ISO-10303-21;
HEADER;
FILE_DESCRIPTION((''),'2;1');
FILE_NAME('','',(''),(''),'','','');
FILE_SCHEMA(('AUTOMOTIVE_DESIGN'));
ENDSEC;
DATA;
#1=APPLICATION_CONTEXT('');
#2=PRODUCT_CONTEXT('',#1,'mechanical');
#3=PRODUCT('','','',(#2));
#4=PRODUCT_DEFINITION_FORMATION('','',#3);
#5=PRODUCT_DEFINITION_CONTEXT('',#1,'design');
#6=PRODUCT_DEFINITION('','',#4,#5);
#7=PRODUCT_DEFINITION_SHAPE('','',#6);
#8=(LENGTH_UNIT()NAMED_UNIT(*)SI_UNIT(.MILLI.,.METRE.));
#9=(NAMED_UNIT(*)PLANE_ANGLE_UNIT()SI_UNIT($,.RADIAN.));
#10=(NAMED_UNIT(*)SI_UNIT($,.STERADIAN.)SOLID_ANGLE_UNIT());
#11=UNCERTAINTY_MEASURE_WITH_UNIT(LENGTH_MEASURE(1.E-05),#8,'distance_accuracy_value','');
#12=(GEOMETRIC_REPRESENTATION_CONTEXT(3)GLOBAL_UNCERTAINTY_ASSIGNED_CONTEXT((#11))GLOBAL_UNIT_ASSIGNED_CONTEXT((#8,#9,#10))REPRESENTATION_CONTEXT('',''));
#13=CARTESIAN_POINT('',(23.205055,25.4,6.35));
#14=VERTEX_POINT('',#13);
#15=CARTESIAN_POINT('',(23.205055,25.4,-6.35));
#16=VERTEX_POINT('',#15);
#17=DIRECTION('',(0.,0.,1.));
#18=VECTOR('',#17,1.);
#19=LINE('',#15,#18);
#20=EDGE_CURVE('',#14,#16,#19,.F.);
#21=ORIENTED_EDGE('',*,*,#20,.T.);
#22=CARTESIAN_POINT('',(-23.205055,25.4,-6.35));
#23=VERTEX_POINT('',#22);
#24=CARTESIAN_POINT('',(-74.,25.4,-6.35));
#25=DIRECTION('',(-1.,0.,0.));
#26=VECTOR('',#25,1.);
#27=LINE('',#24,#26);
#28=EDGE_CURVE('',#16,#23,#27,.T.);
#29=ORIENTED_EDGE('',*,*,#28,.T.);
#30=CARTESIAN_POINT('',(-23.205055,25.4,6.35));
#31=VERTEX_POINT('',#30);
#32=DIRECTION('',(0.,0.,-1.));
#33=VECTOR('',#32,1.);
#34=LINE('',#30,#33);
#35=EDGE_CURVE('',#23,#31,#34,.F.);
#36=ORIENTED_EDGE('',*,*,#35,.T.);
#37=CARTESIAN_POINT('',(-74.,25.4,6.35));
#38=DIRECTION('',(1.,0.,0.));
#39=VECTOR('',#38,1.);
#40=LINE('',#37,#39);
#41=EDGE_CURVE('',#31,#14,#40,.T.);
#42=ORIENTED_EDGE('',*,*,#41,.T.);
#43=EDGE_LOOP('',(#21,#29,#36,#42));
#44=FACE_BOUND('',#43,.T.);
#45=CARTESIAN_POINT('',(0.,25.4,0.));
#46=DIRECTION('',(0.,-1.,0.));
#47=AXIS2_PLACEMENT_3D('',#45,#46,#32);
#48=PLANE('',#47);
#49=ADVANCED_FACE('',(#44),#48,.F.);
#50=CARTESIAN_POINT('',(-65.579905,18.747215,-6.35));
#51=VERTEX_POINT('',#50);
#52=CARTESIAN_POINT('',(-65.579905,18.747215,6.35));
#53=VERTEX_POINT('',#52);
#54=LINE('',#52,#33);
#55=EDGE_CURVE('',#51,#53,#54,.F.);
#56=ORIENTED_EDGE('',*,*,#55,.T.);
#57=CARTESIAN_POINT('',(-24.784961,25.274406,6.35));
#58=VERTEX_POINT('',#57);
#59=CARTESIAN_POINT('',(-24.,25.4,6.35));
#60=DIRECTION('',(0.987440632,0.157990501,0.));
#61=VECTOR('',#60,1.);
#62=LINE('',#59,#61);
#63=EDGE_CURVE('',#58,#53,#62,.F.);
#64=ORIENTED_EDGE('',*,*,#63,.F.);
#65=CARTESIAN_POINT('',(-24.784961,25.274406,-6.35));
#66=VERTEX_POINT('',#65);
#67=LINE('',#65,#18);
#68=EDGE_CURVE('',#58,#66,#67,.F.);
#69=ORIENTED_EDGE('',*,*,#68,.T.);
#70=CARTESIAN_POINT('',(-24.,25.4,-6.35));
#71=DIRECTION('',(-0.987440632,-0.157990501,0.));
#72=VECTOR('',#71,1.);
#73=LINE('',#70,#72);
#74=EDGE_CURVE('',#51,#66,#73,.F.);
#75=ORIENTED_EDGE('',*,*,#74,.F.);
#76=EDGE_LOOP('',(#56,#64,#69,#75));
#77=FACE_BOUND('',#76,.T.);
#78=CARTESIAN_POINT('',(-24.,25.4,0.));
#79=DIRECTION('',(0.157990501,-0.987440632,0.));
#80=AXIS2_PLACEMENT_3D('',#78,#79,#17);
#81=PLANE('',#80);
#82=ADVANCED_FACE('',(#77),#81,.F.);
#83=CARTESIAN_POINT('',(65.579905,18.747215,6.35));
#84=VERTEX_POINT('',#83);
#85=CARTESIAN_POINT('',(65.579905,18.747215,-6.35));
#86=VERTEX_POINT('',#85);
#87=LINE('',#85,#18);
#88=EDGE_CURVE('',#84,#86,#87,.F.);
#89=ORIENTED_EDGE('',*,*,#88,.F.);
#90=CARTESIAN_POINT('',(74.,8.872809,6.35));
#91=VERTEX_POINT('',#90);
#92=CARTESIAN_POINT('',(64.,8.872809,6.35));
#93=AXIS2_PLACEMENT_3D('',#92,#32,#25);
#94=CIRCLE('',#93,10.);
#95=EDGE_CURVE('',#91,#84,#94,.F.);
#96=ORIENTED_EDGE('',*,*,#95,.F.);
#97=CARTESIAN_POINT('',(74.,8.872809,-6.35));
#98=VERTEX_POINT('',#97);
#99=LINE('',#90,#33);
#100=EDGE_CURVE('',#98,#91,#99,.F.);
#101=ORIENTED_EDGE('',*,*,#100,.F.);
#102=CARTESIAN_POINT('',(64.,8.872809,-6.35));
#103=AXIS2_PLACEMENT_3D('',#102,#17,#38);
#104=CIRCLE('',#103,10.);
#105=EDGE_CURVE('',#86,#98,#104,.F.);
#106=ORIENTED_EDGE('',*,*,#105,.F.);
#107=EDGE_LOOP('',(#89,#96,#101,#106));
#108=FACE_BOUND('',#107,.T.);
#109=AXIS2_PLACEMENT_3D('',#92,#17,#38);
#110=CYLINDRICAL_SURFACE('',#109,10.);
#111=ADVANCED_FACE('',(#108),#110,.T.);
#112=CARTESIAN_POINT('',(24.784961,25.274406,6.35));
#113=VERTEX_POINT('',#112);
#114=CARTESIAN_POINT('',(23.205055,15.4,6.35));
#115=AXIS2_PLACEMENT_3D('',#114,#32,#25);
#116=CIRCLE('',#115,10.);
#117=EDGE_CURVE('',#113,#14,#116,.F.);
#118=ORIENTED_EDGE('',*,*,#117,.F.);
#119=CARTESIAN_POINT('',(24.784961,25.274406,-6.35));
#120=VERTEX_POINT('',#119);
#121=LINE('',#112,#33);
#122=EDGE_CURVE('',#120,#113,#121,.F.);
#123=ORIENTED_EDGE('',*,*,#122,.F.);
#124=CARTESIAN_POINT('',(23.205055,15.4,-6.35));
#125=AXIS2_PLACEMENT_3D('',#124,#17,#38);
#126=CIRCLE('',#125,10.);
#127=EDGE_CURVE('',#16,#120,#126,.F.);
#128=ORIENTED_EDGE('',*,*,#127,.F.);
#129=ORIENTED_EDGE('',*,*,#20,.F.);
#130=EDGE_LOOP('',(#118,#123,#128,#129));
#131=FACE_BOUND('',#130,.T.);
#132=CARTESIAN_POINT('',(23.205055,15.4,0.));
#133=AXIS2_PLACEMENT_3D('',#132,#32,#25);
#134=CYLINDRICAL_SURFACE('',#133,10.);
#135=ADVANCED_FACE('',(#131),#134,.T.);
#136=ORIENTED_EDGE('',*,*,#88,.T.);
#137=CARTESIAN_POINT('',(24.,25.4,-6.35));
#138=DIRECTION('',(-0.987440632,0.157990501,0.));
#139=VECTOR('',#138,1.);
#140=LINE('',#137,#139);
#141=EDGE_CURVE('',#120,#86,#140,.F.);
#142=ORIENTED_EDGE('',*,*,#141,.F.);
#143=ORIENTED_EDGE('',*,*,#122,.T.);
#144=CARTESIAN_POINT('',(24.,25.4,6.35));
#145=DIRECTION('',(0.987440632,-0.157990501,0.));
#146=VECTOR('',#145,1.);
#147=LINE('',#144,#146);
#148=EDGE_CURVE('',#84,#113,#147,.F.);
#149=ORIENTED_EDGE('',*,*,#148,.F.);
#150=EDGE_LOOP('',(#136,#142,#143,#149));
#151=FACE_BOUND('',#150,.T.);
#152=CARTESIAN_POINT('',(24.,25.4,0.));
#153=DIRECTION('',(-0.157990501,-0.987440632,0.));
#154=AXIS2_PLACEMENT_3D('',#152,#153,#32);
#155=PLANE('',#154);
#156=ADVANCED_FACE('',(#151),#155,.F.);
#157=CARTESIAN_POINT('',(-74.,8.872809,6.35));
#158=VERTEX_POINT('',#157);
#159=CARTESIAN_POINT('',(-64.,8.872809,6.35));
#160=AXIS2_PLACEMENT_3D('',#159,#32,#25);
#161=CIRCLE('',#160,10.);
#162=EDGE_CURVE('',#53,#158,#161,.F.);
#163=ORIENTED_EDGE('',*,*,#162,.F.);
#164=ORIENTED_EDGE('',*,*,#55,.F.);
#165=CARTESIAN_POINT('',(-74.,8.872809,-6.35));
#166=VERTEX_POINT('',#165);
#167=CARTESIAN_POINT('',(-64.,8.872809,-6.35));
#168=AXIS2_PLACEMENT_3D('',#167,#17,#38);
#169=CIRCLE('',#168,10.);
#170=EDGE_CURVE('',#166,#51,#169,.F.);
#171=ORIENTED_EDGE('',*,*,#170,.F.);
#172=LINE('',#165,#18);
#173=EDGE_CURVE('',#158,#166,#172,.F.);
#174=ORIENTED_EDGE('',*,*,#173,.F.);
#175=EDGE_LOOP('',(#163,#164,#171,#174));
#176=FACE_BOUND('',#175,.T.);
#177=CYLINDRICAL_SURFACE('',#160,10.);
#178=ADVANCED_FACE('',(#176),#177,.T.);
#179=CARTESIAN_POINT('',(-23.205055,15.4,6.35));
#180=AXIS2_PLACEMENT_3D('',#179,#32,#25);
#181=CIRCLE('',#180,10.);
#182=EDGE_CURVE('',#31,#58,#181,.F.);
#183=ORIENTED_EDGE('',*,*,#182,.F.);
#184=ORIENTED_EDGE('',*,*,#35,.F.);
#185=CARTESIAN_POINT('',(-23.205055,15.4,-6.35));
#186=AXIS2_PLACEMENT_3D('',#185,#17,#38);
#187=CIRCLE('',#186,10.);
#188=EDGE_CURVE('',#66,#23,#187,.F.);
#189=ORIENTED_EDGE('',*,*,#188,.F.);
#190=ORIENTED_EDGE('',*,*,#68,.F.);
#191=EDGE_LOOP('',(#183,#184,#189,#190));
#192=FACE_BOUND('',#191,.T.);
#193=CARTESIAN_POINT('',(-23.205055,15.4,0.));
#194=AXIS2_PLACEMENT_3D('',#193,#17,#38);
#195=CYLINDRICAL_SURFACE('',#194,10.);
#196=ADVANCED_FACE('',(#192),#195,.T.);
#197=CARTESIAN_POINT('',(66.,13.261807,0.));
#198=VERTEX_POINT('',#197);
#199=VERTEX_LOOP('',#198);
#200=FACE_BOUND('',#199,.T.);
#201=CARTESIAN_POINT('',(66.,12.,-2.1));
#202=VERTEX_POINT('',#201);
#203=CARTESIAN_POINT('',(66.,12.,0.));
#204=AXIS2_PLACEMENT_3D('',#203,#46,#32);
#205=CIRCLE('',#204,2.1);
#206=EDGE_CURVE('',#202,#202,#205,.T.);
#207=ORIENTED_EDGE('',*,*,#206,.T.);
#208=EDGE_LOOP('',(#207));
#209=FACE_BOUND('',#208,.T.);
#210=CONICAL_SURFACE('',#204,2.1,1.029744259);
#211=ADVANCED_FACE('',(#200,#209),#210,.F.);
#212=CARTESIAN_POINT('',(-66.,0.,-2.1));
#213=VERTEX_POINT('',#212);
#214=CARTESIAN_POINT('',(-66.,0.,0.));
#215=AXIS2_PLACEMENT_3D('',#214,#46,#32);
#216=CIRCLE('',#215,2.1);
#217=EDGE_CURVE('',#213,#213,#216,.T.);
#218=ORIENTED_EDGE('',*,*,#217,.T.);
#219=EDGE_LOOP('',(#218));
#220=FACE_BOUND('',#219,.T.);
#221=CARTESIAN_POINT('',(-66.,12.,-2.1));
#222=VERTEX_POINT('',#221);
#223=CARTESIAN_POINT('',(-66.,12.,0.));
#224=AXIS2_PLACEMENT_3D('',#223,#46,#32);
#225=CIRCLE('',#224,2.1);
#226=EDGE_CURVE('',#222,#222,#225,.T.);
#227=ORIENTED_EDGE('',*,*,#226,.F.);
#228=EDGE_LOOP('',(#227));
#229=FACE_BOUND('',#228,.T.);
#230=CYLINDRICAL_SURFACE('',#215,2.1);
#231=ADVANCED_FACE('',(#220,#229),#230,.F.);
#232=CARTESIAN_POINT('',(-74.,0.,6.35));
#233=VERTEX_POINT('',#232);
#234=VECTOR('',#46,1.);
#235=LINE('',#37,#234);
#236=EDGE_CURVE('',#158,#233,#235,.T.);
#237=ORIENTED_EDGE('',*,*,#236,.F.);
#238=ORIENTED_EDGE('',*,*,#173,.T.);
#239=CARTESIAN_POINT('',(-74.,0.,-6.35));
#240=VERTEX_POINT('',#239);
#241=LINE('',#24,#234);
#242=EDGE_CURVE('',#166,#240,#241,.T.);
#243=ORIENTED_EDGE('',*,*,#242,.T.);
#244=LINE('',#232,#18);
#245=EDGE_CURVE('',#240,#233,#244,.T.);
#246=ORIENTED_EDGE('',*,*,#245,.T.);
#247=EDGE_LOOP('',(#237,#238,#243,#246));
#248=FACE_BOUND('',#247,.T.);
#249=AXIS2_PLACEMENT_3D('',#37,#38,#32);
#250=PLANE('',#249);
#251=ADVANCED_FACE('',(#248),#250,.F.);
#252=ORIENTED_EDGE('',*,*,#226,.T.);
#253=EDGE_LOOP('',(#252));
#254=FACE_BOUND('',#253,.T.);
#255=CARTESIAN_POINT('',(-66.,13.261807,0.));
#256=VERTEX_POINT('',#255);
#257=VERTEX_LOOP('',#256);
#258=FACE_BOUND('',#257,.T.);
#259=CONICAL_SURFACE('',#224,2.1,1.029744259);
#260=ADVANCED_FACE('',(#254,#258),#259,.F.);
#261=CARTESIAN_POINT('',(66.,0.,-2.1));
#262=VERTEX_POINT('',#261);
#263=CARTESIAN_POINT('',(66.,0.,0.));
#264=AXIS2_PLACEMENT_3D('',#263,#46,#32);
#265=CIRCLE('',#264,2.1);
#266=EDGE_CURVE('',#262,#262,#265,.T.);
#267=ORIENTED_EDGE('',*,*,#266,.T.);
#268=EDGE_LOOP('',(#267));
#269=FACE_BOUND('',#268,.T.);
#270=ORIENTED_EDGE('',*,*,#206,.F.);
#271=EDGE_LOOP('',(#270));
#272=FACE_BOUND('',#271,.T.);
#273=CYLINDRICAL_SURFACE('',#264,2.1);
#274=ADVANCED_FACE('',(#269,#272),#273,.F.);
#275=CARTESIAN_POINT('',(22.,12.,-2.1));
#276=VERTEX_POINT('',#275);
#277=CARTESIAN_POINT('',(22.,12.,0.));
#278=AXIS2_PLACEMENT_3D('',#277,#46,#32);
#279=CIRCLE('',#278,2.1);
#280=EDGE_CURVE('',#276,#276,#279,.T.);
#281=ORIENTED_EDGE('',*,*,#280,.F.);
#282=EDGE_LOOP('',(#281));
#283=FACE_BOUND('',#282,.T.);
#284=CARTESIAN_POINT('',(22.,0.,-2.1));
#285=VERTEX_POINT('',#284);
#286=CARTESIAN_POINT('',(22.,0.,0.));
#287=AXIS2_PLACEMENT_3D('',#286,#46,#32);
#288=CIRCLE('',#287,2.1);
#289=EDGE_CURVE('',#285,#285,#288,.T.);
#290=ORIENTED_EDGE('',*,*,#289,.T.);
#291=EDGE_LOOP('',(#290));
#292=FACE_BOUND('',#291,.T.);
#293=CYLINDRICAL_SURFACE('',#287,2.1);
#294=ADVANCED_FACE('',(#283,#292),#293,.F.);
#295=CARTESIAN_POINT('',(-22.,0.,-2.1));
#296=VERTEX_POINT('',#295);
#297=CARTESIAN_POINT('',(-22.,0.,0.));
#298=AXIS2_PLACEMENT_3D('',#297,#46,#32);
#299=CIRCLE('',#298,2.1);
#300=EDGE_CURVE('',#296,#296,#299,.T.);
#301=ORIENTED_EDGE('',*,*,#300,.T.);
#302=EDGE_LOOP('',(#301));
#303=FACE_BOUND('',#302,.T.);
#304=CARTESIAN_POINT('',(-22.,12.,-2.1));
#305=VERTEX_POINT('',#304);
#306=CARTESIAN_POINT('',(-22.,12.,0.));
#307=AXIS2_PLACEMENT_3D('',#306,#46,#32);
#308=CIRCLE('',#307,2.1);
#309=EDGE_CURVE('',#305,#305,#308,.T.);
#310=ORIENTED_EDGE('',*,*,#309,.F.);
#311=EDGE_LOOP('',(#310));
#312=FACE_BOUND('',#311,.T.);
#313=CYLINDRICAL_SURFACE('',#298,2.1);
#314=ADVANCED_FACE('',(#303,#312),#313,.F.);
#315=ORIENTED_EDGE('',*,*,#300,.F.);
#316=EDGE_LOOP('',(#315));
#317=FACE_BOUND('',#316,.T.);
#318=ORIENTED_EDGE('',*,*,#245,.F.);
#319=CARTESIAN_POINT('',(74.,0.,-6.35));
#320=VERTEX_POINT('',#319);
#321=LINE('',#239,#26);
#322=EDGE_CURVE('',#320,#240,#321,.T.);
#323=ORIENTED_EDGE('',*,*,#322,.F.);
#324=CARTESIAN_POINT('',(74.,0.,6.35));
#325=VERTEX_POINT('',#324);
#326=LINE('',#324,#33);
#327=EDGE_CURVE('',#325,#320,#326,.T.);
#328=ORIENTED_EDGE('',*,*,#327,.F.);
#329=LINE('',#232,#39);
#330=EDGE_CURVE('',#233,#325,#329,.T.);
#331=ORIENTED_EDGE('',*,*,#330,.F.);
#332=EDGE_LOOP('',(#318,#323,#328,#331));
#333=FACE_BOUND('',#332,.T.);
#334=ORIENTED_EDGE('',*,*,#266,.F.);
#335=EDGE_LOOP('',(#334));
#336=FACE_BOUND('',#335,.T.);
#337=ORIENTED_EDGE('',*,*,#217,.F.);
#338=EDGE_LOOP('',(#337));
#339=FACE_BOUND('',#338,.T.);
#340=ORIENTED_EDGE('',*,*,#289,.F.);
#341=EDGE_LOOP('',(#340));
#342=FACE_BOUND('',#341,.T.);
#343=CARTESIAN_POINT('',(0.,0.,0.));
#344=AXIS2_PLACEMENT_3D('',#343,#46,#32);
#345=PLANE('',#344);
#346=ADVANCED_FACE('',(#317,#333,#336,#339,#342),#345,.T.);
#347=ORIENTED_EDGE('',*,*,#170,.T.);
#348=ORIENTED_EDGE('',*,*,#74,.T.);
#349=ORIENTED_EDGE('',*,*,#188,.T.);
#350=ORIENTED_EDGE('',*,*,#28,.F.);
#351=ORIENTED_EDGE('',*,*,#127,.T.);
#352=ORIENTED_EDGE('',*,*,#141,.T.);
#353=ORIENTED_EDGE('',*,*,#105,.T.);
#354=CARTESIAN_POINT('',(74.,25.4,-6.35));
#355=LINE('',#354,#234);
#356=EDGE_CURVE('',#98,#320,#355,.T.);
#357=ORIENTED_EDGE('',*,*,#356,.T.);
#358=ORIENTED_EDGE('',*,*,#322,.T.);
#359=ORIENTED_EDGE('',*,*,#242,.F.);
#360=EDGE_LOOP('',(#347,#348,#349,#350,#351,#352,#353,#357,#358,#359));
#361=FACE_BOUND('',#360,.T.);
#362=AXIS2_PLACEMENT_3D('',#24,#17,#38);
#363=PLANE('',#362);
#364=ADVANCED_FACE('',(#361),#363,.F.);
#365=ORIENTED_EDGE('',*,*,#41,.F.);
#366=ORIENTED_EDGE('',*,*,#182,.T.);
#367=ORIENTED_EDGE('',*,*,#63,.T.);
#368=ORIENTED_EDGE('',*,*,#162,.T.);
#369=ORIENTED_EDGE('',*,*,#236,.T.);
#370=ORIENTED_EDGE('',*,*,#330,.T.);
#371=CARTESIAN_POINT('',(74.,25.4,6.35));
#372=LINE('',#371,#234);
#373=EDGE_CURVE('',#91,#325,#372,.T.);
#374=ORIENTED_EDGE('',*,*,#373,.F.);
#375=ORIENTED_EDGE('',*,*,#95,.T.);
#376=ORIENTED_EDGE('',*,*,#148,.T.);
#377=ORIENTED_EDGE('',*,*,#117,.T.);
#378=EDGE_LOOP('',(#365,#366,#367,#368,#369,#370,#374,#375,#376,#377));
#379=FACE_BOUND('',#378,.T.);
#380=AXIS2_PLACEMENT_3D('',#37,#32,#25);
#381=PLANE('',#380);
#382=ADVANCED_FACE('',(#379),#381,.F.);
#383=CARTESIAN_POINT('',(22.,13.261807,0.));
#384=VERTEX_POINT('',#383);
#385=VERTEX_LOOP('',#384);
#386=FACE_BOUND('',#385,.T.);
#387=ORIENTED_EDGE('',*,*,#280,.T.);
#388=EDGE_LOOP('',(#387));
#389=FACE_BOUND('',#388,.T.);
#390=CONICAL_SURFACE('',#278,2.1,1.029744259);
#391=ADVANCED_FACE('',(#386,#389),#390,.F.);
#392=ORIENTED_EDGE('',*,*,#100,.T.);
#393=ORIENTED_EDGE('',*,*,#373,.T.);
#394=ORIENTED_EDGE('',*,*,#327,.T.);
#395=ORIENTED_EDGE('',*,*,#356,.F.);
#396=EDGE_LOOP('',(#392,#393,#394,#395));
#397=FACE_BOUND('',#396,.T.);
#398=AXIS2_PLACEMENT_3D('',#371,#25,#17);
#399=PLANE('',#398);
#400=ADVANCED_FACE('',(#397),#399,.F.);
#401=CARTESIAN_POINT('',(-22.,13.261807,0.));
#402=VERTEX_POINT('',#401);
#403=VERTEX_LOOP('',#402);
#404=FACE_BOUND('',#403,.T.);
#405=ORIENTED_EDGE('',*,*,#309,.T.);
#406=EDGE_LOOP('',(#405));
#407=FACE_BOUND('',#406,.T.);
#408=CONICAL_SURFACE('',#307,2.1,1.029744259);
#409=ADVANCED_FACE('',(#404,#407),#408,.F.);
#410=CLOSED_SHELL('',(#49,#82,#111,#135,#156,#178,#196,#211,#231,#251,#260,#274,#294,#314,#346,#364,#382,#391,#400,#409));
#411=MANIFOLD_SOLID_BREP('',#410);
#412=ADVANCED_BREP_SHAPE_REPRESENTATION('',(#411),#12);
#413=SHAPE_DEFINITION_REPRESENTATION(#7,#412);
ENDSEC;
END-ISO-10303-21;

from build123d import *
from OCP.BRepFilletAPI import BRepFilletAPI_MakeChamfer

# Parameters (mm, degrees)
SKETCH1_W                 = 148
SKETCH1_H                 = 12.7
BOSS_EXTRUDE1_DEPTH       = 25.4
CHAMFER1_SIZE             = 8
CHAMFER1_SIZE2            = 50
M5X0_8_TAPPED_HOLE1_D     = 4.2
M5X0_8_TAPPED_HOLE1_DEPTH = 12
M5X0_8_TAPPED_HOLE1_TIP   = 1.2618073
FILLET1_R                 = 10


with BuildPart() as part:
    # Sketch1 → Boss-Extrude1 (new body)
    with BuildSketch(Plane(origin=(0, 0, 0), x_dir=(1, 0, 0), z_dir=(0, 1, 0))):
        Rectangle(SKETCH1_W, SKETCH1_H)
    extrude(amount=BOSS_EXTRUDE1_DEPTH)

    # Chamfer1: one chamfer whose edges measure the first distance from different faces: ONE call of the kernel's chamfer builder (chamfer() names one face for all edges)
    chamfer1_edges_1 = [part.edges().sort_by_distance(p)[0] for p in [
        (-74, 25.4, 0),
    ]]
    chamfer1_side_1 = [part.faces().sort_by_distance(p)[0] for p in [
        (-74, 12.7, 0),
    ]]
    chamfer1_edges_2 = [part.edges().sort_by_distance(p)[0] for p in [
        (74, 25.4, 0),
    ]]
    chamfer1_side_2 = [part.faces().sort_by_distance(p)[0] for p in [
        (74, 12.7, 0),
    ]]
    chamfer1 = BRepFilletAPI_MakeChamfer(part.part.solid().wrapped)
    for e in chamfer1_edges_1:
        chamfer1.Add(CHAMFER1_SIZE, CHAMFER1_SIZE2, e.wrapped, chamfer1_side_1[0].wrapped)  # the first distance lies on this face
    for e in chamfer1_edges_2:
        chamfer1.Add(CHAMFER1_SIZE, CHAMFER1_SIZE2, e.wrapped, chamfer1_side_2[0].wrapped)  # the first distance lies on this face
    add(Compound.cast(chamfer1.Shape()), mode=Mode.REPLACE)

    # M5x0.8 Tapped Hole1
    with Locations(Plane(origin=(0, 0, 0), x_dir=(-1, 0, 0), z_dir=(0, -1, 0))):
        with Locations((66, 0), (22, 0), (-22, 0), (-66, 0)):
            Hole(M5X0_8_TAPPED_HOLE1_D / 2, depth=M5X0_8_TAPPED_HOLE1_DEPTH)
            with Locations((0, 0, -(M5X0_8_TAPPED_HOLE1_DEPTH + M5X0_8_TAPPED_HOLE1_TIP / 2))):  # 118° drill point
                Cone(0, M5X0_8_TAPPED_HOLE1_D / 2, M5X0_8_TAPPED_HOLE1_TIP, mode=Mode.SUBTRACT)

    # Fillet1
    fillet1_edges = [part.edges().sort_by_distance(p)[0] for p in [
        (-24, 25.4, 0),
        (24, 25.4, 0),
        (74, 17.4, 0),
        (-74, 17.4, 0),
    ]]
    fillet(fillet1_edges, radius=FILLET1_R)


solid = part.part
